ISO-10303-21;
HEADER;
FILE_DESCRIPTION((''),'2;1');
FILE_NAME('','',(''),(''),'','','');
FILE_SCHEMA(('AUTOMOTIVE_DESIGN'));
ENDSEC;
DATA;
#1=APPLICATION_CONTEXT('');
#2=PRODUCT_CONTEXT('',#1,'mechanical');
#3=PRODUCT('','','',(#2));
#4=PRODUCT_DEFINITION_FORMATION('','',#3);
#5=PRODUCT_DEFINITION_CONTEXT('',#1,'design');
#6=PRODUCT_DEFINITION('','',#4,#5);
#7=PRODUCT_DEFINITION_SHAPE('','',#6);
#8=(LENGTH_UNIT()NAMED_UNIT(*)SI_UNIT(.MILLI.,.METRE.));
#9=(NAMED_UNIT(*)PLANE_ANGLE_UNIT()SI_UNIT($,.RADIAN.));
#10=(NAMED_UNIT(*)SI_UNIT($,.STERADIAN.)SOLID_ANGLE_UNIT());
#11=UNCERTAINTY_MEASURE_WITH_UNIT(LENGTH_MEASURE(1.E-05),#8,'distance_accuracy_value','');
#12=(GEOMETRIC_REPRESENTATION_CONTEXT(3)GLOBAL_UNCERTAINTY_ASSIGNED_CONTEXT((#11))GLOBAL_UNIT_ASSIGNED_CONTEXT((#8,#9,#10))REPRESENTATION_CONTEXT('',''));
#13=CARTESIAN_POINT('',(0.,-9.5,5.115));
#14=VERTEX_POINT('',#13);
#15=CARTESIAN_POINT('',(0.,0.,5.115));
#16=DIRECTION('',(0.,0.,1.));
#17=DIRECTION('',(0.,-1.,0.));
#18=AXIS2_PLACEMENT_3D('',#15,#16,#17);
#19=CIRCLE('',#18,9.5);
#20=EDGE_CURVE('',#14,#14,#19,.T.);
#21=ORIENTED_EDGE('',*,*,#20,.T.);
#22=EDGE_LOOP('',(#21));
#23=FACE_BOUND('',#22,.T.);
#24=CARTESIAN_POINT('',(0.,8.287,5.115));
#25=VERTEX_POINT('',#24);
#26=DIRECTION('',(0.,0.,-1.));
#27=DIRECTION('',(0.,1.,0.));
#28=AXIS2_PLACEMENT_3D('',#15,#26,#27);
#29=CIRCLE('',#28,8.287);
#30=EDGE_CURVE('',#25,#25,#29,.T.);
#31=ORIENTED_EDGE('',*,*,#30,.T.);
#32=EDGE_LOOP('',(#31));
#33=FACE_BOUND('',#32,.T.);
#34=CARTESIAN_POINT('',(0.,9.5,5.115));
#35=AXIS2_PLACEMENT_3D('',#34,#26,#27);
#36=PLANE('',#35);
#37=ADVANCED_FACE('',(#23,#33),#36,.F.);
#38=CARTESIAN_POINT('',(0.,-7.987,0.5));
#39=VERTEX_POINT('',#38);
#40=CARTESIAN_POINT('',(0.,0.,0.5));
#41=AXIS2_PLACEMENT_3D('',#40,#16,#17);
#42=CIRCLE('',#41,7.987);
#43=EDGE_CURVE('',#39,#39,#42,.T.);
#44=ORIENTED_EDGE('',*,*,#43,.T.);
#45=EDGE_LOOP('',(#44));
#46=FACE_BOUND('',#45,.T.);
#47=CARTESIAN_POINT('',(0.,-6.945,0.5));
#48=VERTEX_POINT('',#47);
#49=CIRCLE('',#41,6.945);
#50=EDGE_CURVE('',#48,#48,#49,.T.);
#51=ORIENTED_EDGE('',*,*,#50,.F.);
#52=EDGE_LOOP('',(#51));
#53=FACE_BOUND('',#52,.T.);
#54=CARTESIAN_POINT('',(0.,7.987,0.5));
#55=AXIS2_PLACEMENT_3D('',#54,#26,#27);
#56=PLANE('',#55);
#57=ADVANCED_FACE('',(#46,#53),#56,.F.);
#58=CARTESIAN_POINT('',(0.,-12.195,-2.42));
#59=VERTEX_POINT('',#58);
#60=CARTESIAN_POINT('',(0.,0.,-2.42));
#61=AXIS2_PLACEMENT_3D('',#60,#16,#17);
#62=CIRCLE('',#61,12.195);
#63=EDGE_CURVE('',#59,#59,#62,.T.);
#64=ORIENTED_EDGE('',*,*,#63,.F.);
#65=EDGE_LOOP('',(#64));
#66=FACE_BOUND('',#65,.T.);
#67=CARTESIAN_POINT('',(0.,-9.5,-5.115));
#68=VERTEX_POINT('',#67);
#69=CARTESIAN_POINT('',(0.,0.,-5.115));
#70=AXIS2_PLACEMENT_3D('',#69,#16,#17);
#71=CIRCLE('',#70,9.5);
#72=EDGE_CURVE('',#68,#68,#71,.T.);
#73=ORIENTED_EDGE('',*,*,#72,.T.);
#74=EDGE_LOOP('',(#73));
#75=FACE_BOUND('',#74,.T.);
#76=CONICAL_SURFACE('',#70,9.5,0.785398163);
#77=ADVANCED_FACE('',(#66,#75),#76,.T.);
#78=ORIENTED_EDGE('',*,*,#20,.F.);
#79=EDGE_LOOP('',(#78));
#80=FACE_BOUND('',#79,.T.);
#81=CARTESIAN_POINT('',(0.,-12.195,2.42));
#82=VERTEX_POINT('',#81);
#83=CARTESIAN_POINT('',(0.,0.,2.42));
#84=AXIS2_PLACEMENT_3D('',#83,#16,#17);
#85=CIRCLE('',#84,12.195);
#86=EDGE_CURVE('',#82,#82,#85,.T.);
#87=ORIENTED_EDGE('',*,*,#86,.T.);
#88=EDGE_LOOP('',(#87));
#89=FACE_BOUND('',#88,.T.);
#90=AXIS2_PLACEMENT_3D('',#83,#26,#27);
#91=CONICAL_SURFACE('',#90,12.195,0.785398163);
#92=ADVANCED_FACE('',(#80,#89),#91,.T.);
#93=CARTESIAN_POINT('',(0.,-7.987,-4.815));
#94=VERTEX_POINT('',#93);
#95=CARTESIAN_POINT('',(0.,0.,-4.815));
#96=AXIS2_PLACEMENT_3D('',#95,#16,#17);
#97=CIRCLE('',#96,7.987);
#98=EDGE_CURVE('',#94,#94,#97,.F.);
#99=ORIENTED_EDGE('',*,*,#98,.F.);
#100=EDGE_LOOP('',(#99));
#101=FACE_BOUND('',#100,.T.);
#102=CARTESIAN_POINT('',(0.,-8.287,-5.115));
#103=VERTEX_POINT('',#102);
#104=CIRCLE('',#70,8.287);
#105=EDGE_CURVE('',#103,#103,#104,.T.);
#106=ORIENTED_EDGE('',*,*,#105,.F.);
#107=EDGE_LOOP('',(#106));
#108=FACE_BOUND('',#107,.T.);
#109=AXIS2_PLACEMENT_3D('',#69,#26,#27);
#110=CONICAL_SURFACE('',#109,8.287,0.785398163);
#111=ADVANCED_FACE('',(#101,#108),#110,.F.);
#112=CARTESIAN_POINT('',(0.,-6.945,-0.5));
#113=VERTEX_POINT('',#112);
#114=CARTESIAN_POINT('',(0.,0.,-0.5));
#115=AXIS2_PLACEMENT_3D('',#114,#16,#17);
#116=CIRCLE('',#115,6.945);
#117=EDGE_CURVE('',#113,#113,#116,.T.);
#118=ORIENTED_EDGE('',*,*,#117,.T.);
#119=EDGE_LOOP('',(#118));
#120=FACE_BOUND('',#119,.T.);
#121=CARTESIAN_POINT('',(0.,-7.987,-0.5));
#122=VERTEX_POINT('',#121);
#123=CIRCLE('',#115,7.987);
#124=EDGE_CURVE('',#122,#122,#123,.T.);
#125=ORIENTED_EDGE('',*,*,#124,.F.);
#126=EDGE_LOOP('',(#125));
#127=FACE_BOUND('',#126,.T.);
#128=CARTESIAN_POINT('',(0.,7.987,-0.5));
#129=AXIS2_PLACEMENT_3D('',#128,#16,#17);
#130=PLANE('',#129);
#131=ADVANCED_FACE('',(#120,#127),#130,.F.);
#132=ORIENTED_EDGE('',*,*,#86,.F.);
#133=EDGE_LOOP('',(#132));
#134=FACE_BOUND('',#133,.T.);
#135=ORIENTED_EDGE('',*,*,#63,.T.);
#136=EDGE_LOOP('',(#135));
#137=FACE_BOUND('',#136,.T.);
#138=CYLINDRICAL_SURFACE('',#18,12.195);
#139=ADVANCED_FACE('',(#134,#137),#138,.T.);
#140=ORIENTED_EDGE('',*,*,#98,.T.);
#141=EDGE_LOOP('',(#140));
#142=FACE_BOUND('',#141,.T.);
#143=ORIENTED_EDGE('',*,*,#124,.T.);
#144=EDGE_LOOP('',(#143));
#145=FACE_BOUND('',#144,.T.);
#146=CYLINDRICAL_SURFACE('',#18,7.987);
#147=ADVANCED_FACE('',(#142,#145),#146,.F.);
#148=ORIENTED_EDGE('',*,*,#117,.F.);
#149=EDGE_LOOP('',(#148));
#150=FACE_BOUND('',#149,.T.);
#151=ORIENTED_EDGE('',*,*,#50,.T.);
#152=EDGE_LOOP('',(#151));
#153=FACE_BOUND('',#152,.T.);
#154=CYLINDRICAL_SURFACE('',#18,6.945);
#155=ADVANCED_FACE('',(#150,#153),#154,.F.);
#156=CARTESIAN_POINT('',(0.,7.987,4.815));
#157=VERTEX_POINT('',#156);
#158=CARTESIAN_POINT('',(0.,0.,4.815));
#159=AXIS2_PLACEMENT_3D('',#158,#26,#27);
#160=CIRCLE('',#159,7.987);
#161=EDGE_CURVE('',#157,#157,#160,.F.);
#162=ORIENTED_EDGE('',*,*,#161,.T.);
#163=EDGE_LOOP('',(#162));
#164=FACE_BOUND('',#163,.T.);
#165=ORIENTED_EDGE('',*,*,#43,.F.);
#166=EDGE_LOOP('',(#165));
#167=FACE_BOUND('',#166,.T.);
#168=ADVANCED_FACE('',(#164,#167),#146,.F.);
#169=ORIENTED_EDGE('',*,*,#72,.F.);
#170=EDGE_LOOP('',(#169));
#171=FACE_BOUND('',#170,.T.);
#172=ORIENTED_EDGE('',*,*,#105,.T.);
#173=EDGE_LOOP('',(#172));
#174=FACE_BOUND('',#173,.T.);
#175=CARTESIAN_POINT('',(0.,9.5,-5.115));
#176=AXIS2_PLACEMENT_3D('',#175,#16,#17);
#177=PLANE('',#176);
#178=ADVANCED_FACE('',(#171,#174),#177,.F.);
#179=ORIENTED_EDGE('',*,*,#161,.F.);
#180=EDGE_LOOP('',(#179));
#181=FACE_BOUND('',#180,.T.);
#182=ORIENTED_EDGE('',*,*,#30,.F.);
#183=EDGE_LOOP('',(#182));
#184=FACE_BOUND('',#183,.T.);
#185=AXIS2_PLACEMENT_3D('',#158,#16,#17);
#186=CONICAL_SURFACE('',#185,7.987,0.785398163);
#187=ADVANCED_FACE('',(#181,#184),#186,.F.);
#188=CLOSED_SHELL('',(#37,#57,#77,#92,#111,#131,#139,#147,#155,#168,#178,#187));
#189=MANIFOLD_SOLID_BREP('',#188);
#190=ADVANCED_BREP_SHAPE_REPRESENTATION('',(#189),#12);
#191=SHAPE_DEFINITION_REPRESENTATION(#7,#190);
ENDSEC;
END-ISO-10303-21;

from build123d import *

# Parameters (mm, degrees)
CHAMFER1_SIZE = 0.3


with BuildPart() as part:
    # Sketch1 → Revolve1 (revolve)
    with BuildSketch(Plane(origin=(0, 0, 0), x_dir=(0, 0, -1), z_dir=(1, 0, 0))):
        Polygon((-2.42, 12.195), (2.42, 12.195), (5.115, 9.5), (5.115, 7.987), (0.5, 7.987), (0.5, 6.945), (-0.5, 6.945), (-0.5, 7.987), (-5.115, 7.987), (-5.115, 9.5), align=None)
    revolve(axis=Axis((0, 0, 5.115), (0, 0, -1)))

    # Chamfer1
    chamfer1_edges = [part.edges().sort_by_distance(p)[0] for p in [
        (0, -7.987, 5.115),
        (0, -7.987, -5.115),
    ]]
    chamfer(chamfer1_edges, length=CHAMFER1_SIZE)


solid = part.part
